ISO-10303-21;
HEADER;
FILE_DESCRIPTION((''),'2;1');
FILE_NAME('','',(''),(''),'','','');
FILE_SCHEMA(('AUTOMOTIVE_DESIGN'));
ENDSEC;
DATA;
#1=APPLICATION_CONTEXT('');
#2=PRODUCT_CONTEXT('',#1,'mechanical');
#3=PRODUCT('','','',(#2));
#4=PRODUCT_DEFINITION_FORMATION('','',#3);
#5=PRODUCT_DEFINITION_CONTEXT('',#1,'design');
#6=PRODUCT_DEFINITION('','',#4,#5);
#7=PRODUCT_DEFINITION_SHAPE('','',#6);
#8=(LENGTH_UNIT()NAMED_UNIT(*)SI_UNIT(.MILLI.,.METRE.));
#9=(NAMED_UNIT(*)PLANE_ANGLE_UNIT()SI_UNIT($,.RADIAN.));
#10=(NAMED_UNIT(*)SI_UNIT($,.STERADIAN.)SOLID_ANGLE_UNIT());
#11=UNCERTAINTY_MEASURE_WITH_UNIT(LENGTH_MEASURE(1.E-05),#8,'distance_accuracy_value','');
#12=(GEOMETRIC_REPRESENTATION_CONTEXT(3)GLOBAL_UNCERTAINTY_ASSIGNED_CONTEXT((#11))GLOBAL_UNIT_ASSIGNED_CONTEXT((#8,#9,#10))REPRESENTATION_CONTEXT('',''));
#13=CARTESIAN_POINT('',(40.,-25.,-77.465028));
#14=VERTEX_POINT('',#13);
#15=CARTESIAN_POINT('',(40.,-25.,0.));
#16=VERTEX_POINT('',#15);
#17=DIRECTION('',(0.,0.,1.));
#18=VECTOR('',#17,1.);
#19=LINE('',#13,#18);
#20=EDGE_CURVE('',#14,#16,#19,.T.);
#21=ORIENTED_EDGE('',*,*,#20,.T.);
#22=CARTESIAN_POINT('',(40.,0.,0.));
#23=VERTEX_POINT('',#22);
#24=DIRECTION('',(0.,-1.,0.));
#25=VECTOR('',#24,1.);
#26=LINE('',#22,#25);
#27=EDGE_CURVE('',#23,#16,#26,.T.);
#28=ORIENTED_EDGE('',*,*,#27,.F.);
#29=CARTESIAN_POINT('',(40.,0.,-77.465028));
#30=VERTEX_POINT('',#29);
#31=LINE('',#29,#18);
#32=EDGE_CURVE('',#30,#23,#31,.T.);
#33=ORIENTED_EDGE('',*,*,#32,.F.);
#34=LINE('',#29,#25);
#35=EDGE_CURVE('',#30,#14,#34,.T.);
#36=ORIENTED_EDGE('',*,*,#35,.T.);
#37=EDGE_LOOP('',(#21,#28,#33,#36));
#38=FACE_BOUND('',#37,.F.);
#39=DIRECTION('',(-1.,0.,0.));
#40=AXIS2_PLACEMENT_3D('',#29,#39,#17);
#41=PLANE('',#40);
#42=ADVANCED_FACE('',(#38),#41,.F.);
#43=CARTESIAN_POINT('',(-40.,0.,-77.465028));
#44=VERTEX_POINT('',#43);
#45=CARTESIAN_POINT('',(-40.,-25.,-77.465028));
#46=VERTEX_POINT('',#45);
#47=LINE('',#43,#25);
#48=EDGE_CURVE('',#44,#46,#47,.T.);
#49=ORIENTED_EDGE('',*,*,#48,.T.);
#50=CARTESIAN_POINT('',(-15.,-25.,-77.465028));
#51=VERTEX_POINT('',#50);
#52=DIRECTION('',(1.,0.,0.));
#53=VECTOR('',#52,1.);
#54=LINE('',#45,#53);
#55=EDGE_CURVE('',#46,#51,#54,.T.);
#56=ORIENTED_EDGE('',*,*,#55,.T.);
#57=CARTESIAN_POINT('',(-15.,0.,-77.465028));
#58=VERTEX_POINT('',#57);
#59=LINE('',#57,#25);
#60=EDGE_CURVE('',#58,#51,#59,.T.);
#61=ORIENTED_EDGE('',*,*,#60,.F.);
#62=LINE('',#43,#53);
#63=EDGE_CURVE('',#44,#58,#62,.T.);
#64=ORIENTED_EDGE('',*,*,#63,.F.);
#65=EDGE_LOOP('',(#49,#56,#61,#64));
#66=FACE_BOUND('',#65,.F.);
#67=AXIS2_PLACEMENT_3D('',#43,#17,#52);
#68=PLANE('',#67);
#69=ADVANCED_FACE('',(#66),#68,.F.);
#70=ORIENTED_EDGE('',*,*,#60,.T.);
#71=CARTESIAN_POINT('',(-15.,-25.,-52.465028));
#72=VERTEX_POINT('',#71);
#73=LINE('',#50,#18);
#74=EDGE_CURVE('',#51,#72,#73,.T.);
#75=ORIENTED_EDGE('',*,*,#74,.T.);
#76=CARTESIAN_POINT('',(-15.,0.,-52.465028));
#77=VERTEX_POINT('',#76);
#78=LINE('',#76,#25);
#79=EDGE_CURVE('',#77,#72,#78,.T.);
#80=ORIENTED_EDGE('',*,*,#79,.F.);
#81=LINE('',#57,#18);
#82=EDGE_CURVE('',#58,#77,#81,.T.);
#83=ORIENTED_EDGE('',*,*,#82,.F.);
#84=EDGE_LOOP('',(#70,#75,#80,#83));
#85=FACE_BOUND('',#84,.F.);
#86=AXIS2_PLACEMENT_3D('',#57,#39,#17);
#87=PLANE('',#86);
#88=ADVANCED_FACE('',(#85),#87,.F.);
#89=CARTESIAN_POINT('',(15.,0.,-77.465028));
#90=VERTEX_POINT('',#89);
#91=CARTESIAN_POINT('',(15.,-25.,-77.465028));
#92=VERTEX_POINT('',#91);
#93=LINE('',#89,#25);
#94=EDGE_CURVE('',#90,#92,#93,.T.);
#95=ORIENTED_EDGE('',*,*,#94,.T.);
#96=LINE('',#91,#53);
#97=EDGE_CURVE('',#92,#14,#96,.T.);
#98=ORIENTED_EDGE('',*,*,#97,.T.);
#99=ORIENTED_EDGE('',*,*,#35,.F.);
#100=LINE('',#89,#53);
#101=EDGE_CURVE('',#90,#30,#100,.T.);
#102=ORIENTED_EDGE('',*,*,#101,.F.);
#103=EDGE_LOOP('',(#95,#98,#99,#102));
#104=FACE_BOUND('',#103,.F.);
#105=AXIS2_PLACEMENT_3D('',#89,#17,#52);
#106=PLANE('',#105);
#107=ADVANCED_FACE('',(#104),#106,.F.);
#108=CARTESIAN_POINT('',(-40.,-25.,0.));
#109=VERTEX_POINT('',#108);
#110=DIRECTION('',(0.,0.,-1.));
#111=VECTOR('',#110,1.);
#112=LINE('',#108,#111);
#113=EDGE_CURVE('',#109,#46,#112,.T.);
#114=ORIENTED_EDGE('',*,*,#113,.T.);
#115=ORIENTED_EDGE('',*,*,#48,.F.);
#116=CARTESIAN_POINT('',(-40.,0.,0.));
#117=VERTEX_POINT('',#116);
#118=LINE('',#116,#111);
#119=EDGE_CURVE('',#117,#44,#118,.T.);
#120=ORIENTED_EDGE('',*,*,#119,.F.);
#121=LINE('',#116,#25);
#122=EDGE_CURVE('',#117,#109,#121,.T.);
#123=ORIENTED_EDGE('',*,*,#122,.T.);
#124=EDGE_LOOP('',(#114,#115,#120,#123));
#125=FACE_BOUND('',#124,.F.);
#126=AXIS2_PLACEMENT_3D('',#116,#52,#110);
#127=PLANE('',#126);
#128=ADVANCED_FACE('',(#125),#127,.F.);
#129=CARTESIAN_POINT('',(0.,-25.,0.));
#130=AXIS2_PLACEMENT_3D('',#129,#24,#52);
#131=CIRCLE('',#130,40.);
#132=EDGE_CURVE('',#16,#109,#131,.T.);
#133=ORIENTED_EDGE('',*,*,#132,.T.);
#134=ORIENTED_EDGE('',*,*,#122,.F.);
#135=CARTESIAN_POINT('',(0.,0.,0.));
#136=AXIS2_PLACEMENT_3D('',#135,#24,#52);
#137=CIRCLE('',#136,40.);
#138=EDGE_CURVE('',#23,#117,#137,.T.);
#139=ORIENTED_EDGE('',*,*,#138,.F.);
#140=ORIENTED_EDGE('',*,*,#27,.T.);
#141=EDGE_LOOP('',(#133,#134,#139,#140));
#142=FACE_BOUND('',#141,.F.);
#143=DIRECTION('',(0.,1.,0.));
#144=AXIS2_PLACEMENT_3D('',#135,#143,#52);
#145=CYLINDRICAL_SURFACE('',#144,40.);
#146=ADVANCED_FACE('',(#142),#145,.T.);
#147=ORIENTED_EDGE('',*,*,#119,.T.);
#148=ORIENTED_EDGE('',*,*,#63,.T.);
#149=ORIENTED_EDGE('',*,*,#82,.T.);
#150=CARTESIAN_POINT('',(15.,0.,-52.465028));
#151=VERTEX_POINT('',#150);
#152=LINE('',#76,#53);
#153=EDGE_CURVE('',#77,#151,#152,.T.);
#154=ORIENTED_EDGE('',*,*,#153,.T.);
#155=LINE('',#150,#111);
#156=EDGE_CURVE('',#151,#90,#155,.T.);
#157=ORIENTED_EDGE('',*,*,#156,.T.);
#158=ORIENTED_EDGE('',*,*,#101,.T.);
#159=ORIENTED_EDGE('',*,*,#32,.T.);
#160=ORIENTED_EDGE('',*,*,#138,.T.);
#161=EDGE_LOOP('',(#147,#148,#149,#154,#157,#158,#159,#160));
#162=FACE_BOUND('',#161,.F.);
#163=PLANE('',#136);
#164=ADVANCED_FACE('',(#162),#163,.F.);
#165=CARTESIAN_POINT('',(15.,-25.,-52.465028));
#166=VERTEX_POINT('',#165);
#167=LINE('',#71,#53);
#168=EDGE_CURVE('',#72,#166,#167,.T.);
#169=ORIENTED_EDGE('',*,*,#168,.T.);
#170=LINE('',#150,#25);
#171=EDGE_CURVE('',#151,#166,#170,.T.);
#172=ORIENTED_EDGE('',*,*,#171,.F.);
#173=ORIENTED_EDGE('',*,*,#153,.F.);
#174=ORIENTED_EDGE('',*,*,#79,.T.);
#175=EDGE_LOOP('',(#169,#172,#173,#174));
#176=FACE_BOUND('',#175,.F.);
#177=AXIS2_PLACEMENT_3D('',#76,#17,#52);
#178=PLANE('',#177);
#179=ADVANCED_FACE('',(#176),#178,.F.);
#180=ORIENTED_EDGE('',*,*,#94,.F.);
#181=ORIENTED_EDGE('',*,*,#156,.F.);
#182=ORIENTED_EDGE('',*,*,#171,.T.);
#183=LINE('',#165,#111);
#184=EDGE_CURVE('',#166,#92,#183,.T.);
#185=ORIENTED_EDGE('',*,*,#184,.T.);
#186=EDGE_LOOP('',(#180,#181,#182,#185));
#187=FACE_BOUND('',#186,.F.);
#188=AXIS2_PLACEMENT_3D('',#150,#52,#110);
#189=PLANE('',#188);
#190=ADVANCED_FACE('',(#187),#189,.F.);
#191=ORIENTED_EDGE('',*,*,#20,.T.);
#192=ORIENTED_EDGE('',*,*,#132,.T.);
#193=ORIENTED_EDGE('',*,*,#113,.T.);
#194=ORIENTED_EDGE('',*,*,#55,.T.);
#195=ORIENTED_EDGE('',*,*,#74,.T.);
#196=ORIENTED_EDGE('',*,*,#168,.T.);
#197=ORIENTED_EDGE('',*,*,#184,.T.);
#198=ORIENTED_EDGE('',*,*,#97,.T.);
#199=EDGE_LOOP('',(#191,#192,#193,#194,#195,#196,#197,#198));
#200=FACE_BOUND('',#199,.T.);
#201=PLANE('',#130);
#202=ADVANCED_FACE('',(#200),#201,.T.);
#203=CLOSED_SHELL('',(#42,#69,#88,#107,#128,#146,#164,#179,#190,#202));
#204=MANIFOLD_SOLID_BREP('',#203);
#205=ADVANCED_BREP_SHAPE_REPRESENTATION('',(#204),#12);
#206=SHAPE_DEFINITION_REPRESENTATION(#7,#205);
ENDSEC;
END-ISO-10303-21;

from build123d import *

# Parameters (mm, degrees)
F1_DEPTH = 25


with BuildPart() as f1:
    # F0 (on Front) → F1 (new body)
    with BuildSketch(Plane.XZ):
        with BuildLine():
            ThreePointArc((-40, 0), (0, -40), (40, 0))
            ThreePointArc((40, 0), (0, 40), (-40, 0))
        make_face()
        with BuildLine():
            Line((40, -77.465028), (40, 0))
            ThreePointArc((40, 0), (0, -40), (-40, 0))
            Line((-40, 0), (-40, -77.465028))
            Line((-40, -77.465028), (-15, -77.465028))
            Line((-15, -77.465028), (-15, -52.465028))
            Line((-15, -52.465028), (15, -52.465028))
            Line((15, -52.465028), (15, -77.465028))
            Line((15, -77.465028), (40, -77.465028))
        make_face()
    extrude(amount=F1_DEPTH)


solid = f1.part
